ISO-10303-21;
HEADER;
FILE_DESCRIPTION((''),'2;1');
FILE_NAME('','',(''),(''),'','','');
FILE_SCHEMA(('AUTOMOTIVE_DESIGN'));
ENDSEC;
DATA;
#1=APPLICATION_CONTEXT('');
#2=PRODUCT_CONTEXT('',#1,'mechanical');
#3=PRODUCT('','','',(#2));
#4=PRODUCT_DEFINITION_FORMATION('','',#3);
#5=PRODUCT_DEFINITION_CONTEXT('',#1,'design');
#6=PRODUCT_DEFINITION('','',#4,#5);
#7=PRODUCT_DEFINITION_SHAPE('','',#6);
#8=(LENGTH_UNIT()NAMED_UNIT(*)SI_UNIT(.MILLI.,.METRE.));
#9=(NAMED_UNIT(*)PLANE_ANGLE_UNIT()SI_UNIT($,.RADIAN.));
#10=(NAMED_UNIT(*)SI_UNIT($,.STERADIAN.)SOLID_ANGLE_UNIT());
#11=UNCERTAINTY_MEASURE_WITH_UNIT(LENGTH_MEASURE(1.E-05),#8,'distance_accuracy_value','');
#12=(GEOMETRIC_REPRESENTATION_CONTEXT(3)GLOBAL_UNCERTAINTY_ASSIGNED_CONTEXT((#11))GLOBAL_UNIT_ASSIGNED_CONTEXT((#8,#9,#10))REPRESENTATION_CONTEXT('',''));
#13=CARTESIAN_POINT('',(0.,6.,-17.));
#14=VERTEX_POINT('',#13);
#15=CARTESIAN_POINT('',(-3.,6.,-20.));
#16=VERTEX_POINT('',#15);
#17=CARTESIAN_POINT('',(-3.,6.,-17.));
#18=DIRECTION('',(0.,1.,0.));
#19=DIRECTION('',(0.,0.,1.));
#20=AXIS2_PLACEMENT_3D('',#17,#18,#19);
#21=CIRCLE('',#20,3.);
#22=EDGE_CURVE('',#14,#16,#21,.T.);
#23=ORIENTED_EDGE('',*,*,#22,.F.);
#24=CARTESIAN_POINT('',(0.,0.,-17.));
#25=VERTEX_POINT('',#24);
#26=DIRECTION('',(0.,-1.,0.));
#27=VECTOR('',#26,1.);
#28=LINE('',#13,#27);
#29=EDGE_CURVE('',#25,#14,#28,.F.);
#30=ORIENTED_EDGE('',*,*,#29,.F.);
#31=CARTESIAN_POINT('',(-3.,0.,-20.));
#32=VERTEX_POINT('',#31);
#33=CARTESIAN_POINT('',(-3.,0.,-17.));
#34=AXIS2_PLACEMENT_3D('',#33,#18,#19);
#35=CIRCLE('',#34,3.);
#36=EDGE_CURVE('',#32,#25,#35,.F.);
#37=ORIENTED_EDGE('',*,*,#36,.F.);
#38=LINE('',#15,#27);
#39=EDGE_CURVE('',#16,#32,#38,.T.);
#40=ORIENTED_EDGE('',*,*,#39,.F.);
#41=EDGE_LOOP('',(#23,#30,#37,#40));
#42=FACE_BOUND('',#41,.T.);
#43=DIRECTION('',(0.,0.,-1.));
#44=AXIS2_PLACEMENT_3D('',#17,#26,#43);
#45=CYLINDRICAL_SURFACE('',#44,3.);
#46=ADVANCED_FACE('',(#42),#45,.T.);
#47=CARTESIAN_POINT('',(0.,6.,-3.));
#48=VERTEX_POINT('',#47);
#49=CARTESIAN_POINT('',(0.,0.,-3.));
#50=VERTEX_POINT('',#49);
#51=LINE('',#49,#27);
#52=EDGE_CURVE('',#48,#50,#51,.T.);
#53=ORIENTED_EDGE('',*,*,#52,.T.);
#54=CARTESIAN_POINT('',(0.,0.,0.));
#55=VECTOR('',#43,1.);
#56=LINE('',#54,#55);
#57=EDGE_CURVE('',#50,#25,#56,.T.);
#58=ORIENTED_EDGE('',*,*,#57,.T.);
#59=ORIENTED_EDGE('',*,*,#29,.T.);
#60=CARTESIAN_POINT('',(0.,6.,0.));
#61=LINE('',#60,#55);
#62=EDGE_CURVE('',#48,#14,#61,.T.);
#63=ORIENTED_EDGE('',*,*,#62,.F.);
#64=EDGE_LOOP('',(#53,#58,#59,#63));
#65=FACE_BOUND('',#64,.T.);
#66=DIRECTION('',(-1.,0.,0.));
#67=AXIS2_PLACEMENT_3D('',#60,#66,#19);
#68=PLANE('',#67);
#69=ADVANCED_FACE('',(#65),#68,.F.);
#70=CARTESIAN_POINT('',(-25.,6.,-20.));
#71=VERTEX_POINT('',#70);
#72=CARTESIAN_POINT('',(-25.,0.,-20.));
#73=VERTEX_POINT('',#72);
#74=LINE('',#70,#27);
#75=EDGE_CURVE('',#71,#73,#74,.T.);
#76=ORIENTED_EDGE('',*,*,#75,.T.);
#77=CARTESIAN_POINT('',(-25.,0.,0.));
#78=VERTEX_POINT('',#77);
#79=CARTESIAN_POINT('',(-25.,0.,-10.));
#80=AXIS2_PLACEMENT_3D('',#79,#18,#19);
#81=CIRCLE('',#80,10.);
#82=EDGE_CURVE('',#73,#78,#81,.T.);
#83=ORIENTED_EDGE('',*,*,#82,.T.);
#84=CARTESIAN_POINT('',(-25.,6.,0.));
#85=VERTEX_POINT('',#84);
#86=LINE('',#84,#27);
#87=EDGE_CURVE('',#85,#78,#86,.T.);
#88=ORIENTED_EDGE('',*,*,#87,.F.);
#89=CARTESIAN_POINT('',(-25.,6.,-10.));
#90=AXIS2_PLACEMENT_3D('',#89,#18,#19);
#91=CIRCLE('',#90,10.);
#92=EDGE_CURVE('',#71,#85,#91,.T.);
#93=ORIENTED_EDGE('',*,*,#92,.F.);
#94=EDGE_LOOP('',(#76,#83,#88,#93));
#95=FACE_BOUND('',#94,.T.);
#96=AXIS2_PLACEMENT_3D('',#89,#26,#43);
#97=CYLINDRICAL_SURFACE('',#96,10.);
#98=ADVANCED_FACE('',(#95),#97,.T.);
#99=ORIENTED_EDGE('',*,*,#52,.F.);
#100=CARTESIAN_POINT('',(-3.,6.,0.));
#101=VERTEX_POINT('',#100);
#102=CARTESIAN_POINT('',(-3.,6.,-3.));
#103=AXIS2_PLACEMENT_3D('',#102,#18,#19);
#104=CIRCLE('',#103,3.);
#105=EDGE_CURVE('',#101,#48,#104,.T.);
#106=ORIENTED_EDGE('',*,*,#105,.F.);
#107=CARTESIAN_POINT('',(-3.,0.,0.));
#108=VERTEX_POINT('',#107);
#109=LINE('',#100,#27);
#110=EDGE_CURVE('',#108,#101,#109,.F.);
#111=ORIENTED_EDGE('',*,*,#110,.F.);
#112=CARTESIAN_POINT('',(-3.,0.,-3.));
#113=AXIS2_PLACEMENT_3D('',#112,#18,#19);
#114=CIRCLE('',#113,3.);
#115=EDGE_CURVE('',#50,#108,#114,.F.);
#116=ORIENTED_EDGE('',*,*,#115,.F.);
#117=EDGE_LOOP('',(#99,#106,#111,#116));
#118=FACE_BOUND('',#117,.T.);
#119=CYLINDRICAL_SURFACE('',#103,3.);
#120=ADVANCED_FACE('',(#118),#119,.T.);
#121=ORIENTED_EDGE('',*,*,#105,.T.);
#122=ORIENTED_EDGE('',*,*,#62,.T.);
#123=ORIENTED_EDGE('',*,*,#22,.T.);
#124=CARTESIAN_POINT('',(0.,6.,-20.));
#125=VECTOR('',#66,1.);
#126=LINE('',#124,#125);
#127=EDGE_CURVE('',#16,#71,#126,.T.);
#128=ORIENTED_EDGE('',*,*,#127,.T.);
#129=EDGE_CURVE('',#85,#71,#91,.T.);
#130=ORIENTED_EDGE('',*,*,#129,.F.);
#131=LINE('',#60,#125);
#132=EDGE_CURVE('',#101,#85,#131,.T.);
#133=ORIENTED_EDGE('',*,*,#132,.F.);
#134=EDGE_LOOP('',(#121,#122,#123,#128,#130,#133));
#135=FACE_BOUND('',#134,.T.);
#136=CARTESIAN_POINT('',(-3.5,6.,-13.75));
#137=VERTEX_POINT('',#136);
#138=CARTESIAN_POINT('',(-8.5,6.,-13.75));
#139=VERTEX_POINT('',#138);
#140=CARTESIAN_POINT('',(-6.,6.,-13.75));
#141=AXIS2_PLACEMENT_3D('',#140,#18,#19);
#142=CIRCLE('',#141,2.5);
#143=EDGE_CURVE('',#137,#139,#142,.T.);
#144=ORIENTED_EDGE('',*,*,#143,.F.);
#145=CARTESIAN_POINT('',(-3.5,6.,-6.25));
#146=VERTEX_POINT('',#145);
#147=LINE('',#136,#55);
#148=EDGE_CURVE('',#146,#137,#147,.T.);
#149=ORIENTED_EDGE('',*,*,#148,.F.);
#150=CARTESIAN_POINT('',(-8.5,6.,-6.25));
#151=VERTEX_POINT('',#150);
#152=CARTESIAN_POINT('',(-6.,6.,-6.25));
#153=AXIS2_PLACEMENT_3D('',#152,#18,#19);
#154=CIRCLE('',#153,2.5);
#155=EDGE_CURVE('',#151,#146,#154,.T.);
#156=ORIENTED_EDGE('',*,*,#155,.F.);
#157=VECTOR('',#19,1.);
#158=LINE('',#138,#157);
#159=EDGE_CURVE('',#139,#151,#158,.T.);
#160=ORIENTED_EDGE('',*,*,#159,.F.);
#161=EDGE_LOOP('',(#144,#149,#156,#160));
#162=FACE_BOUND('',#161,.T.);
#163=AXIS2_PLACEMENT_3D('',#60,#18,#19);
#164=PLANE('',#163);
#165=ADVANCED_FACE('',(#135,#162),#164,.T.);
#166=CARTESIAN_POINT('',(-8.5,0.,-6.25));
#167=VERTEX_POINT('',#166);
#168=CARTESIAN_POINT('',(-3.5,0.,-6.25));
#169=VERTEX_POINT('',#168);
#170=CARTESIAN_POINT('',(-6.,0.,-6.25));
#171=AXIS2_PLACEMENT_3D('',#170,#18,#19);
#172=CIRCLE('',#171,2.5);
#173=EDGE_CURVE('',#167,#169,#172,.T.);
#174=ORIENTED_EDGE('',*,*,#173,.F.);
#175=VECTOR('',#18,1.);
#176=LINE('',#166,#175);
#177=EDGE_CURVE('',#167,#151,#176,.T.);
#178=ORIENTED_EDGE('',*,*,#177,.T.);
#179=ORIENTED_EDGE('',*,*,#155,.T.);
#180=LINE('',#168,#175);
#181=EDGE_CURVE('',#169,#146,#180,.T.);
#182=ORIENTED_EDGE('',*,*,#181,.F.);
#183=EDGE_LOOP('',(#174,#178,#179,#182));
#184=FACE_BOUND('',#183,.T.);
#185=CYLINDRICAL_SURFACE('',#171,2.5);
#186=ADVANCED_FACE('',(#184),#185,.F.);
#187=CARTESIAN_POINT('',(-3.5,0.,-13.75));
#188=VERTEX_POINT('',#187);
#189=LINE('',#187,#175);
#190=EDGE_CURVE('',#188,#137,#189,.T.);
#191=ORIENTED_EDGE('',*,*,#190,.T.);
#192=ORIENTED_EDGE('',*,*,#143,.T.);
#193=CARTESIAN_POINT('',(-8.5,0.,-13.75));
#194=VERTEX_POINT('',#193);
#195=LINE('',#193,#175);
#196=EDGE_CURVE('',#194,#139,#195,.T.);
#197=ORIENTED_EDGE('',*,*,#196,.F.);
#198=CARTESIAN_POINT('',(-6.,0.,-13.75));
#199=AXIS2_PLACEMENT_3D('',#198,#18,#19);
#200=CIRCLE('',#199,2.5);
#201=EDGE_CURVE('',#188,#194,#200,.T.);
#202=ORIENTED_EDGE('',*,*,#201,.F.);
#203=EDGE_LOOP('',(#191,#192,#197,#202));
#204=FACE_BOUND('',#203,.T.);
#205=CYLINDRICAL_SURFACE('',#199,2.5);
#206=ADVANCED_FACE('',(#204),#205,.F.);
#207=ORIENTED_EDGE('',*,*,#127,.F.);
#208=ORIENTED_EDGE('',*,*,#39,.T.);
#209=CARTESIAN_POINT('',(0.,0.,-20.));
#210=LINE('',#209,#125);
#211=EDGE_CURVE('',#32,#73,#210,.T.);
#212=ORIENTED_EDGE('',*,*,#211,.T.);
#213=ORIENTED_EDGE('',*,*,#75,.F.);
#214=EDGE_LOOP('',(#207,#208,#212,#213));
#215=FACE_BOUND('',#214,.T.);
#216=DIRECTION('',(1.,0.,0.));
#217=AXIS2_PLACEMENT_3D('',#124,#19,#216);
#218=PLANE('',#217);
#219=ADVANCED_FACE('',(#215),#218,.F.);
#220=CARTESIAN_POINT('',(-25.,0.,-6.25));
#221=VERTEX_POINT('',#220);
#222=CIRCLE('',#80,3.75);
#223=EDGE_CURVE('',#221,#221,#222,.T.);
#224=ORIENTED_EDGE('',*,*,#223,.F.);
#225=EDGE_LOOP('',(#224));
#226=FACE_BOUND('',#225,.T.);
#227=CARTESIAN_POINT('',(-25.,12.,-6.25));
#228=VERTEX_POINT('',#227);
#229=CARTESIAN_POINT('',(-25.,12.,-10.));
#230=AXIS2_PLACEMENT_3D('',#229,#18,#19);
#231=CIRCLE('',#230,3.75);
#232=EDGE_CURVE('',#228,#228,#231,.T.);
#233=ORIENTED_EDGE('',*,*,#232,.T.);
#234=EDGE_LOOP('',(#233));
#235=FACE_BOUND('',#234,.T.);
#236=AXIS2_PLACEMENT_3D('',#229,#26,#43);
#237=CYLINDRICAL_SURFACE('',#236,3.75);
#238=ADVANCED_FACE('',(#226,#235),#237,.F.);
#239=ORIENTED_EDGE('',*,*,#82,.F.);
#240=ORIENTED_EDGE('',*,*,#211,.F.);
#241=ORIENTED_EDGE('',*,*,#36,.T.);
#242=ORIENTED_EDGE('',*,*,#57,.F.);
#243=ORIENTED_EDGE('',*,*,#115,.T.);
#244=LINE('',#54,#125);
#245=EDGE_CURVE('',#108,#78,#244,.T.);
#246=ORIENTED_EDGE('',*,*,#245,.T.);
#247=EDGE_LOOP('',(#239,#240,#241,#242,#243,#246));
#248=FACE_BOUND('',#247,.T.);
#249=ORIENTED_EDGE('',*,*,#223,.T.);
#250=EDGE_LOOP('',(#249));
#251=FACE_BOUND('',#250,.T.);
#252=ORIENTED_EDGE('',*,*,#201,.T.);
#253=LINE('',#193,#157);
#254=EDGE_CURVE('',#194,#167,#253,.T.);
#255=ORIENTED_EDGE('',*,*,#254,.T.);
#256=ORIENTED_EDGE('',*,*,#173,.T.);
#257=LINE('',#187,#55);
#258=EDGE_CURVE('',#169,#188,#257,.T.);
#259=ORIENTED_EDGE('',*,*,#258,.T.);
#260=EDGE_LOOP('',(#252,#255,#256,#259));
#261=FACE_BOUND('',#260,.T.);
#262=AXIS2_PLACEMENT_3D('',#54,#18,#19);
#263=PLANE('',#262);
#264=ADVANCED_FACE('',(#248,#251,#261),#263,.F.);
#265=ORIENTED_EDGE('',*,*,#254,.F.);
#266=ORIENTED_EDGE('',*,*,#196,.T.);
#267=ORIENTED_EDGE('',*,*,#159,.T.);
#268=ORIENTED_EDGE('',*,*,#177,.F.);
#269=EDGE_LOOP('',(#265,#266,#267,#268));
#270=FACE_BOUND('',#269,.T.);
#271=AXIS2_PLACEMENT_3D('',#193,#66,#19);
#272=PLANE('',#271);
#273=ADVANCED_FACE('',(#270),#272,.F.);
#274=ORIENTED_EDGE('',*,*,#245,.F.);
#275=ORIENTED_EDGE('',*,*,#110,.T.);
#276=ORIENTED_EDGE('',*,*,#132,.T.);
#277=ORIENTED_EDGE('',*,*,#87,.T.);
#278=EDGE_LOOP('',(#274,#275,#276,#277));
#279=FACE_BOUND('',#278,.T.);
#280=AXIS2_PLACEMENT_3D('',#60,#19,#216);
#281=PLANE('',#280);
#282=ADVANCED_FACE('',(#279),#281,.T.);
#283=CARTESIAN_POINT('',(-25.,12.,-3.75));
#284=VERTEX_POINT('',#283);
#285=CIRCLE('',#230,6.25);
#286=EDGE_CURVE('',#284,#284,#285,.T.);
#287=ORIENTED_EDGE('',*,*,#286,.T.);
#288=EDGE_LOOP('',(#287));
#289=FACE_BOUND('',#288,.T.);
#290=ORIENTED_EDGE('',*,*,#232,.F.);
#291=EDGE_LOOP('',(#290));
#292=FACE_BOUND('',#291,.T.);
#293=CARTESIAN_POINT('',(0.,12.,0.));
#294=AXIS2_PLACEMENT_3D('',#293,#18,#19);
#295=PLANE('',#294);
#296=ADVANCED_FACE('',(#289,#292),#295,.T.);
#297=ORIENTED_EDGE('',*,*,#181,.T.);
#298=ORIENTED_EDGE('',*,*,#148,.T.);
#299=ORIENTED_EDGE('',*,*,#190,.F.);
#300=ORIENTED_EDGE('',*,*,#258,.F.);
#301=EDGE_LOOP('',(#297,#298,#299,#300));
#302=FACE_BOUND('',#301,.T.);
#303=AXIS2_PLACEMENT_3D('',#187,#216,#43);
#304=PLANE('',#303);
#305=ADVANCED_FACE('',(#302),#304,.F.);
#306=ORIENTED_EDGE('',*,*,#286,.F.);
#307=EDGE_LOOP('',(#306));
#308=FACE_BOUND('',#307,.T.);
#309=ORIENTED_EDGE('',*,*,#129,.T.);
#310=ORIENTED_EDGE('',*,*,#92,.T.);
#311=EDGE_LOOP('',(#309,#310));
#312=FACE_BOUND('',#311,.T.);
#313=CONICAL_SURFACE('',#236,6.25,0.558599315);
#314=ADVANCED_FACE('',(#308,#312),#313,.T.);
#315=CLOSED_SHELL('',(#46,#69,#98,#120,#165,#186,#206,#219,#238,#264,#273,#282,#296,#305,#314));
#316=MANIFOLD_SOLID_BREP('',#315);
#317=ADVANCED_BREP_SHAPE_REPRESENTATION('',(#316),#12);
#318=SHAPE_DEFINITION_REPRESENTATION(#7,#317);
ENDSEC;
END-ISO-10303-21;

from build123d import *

# Parameters (mm, degrees)
Y_KSEKLIK_EKSTR_ZYON1_DEPTH = 6
IZIM2_R                     = 6.25
IZIM2_R_2                   = 3.75
Y_KSEKLIK_EKSTR_ZYON2_DEPTH = 6
KES_EKSTR_ZYON1_DEPTH       = 6
IZIM5_R                     = 3.75
KES_EKSTR_ZYON2_DEPTH       = 6
RADYUS1_R                   = 3
RADYUS2_R                   = 3


with BuildPart() as part:
    # Çizim1 → Yükseklik-Ekstrüzyon1 (new body)
    with BuildSketch(Plane(origin=(0, 0, 0), x_dir=(1, 0, 0), z_dir=(0, 1, 0))):
        with BuildLine():
            ThreePointArc((-25, 20), (-35, 10), (-25, 0))
            Line((-25, 0), (-25, 20))
        make_face()
        with BuildLine():
            Line((-25, 20), (-25, 0))
            ThreePointArc((-25, 0), (-17.928932188, 2.928932188), (-15, 10))
            ThreePointArc((-15, 10), (-17.928932188, 17.071067812), (-25, 20))
        make_face()
        with BuildLine():
            Line((-25, 0), (0, 0))
            Line((0, 0), (0, 20))
            Line((0, 20), (-25, 20))
            ThreePointArc((-25, 20), (-17.928932188, 17.071067812), (-15, 10))
            ThreePointArc((-15, 10), (-17.928932188, 2.928932188), (-25, 0))
        make_face()
    extrude(amount=Y_KSEKLIK_EKSTR_ZYON1_DEPTH)

    # Çizim2 → Yükseklik-Ekstrüzyon2 (add)
    with BuildSketch(Plane(origin=(0, 6, 0), x_dir=(1, 0, 0), z_dir=(0, 1, 0))):
        with Locations((-25, 10)):
            Circle(IZIM2_R)
        with Locations((-25, 10)):
            Circle(IZIM2_R_2, mode=Mode.SUBTRACT)
    extrude(amount=Y_KSEKLIK_EKSTR_ZYON2_DEPTH)

    # Çizim4 → Kes-Ekstrüzyon1 (cut)
    with BuildSketch(Plane(origin=(0, 6, 0), x_dir=(1, 0, 0), z_dir=(0, 1, 0))):
        with BuildLine():
            Line((-3.5, 13.75), (-3.5, 6.25))
            ThreePointArc((-3.5, 6.25), (-6, 3.75), (-8.5, 6.25))
            Line((-8.5, 6.25), (-8.5, 13.75))
            ThreePointArc((-8.5, 13.75), (-6, 16.25), (-3.5, 13.75))
        make_face()
    extrude(amount=-KES_EKSTR_ZYON1_DEPTH, mode=Mode.SUBTRACT)

    # Çizim5 → Kes-Ekstrüzyon2 (cut)
    with BuildSketch(Plane(origin=(0, 6, 0), x_dir=(1, 0, 0), z_dir=(0, 1, 0))):
        with Locations((-25, 10)):
            Circle(IZIM5_R)
    extrude(amount=-KES_EKSTR_ZYON2_DEPTH, mode=Mode.SUBTRACT)

    # Radyus1
    radyus1_edges = [part.edges().sort_by_distance(p)[0] for p in [
        (0, 3, 0),
    ]]
    fillet(radyus1_edges, radius=RADYUS1_R)

    # Radyus2
    radyus2_edges = [part.edges().sort_by_distance(p)[0] for p in [
        (0, 3, -20),
    ]]
    fillet(radyus2_edges, radius=RADYUS2_R)

    # Çizim6 → Döndür1 (revolve)
    with BuildSketch(Plane(origin=(-25, 0, 0), x_dir=(0, 0, -1), z_dir=(1, 0, 0))):
        Polygon((3.75, 12), (0, 6), (3.75, 6), align=None)
    revolve(axis=Axis((-25, 12, -10), (0, -1, 0)))


solid = part.part
